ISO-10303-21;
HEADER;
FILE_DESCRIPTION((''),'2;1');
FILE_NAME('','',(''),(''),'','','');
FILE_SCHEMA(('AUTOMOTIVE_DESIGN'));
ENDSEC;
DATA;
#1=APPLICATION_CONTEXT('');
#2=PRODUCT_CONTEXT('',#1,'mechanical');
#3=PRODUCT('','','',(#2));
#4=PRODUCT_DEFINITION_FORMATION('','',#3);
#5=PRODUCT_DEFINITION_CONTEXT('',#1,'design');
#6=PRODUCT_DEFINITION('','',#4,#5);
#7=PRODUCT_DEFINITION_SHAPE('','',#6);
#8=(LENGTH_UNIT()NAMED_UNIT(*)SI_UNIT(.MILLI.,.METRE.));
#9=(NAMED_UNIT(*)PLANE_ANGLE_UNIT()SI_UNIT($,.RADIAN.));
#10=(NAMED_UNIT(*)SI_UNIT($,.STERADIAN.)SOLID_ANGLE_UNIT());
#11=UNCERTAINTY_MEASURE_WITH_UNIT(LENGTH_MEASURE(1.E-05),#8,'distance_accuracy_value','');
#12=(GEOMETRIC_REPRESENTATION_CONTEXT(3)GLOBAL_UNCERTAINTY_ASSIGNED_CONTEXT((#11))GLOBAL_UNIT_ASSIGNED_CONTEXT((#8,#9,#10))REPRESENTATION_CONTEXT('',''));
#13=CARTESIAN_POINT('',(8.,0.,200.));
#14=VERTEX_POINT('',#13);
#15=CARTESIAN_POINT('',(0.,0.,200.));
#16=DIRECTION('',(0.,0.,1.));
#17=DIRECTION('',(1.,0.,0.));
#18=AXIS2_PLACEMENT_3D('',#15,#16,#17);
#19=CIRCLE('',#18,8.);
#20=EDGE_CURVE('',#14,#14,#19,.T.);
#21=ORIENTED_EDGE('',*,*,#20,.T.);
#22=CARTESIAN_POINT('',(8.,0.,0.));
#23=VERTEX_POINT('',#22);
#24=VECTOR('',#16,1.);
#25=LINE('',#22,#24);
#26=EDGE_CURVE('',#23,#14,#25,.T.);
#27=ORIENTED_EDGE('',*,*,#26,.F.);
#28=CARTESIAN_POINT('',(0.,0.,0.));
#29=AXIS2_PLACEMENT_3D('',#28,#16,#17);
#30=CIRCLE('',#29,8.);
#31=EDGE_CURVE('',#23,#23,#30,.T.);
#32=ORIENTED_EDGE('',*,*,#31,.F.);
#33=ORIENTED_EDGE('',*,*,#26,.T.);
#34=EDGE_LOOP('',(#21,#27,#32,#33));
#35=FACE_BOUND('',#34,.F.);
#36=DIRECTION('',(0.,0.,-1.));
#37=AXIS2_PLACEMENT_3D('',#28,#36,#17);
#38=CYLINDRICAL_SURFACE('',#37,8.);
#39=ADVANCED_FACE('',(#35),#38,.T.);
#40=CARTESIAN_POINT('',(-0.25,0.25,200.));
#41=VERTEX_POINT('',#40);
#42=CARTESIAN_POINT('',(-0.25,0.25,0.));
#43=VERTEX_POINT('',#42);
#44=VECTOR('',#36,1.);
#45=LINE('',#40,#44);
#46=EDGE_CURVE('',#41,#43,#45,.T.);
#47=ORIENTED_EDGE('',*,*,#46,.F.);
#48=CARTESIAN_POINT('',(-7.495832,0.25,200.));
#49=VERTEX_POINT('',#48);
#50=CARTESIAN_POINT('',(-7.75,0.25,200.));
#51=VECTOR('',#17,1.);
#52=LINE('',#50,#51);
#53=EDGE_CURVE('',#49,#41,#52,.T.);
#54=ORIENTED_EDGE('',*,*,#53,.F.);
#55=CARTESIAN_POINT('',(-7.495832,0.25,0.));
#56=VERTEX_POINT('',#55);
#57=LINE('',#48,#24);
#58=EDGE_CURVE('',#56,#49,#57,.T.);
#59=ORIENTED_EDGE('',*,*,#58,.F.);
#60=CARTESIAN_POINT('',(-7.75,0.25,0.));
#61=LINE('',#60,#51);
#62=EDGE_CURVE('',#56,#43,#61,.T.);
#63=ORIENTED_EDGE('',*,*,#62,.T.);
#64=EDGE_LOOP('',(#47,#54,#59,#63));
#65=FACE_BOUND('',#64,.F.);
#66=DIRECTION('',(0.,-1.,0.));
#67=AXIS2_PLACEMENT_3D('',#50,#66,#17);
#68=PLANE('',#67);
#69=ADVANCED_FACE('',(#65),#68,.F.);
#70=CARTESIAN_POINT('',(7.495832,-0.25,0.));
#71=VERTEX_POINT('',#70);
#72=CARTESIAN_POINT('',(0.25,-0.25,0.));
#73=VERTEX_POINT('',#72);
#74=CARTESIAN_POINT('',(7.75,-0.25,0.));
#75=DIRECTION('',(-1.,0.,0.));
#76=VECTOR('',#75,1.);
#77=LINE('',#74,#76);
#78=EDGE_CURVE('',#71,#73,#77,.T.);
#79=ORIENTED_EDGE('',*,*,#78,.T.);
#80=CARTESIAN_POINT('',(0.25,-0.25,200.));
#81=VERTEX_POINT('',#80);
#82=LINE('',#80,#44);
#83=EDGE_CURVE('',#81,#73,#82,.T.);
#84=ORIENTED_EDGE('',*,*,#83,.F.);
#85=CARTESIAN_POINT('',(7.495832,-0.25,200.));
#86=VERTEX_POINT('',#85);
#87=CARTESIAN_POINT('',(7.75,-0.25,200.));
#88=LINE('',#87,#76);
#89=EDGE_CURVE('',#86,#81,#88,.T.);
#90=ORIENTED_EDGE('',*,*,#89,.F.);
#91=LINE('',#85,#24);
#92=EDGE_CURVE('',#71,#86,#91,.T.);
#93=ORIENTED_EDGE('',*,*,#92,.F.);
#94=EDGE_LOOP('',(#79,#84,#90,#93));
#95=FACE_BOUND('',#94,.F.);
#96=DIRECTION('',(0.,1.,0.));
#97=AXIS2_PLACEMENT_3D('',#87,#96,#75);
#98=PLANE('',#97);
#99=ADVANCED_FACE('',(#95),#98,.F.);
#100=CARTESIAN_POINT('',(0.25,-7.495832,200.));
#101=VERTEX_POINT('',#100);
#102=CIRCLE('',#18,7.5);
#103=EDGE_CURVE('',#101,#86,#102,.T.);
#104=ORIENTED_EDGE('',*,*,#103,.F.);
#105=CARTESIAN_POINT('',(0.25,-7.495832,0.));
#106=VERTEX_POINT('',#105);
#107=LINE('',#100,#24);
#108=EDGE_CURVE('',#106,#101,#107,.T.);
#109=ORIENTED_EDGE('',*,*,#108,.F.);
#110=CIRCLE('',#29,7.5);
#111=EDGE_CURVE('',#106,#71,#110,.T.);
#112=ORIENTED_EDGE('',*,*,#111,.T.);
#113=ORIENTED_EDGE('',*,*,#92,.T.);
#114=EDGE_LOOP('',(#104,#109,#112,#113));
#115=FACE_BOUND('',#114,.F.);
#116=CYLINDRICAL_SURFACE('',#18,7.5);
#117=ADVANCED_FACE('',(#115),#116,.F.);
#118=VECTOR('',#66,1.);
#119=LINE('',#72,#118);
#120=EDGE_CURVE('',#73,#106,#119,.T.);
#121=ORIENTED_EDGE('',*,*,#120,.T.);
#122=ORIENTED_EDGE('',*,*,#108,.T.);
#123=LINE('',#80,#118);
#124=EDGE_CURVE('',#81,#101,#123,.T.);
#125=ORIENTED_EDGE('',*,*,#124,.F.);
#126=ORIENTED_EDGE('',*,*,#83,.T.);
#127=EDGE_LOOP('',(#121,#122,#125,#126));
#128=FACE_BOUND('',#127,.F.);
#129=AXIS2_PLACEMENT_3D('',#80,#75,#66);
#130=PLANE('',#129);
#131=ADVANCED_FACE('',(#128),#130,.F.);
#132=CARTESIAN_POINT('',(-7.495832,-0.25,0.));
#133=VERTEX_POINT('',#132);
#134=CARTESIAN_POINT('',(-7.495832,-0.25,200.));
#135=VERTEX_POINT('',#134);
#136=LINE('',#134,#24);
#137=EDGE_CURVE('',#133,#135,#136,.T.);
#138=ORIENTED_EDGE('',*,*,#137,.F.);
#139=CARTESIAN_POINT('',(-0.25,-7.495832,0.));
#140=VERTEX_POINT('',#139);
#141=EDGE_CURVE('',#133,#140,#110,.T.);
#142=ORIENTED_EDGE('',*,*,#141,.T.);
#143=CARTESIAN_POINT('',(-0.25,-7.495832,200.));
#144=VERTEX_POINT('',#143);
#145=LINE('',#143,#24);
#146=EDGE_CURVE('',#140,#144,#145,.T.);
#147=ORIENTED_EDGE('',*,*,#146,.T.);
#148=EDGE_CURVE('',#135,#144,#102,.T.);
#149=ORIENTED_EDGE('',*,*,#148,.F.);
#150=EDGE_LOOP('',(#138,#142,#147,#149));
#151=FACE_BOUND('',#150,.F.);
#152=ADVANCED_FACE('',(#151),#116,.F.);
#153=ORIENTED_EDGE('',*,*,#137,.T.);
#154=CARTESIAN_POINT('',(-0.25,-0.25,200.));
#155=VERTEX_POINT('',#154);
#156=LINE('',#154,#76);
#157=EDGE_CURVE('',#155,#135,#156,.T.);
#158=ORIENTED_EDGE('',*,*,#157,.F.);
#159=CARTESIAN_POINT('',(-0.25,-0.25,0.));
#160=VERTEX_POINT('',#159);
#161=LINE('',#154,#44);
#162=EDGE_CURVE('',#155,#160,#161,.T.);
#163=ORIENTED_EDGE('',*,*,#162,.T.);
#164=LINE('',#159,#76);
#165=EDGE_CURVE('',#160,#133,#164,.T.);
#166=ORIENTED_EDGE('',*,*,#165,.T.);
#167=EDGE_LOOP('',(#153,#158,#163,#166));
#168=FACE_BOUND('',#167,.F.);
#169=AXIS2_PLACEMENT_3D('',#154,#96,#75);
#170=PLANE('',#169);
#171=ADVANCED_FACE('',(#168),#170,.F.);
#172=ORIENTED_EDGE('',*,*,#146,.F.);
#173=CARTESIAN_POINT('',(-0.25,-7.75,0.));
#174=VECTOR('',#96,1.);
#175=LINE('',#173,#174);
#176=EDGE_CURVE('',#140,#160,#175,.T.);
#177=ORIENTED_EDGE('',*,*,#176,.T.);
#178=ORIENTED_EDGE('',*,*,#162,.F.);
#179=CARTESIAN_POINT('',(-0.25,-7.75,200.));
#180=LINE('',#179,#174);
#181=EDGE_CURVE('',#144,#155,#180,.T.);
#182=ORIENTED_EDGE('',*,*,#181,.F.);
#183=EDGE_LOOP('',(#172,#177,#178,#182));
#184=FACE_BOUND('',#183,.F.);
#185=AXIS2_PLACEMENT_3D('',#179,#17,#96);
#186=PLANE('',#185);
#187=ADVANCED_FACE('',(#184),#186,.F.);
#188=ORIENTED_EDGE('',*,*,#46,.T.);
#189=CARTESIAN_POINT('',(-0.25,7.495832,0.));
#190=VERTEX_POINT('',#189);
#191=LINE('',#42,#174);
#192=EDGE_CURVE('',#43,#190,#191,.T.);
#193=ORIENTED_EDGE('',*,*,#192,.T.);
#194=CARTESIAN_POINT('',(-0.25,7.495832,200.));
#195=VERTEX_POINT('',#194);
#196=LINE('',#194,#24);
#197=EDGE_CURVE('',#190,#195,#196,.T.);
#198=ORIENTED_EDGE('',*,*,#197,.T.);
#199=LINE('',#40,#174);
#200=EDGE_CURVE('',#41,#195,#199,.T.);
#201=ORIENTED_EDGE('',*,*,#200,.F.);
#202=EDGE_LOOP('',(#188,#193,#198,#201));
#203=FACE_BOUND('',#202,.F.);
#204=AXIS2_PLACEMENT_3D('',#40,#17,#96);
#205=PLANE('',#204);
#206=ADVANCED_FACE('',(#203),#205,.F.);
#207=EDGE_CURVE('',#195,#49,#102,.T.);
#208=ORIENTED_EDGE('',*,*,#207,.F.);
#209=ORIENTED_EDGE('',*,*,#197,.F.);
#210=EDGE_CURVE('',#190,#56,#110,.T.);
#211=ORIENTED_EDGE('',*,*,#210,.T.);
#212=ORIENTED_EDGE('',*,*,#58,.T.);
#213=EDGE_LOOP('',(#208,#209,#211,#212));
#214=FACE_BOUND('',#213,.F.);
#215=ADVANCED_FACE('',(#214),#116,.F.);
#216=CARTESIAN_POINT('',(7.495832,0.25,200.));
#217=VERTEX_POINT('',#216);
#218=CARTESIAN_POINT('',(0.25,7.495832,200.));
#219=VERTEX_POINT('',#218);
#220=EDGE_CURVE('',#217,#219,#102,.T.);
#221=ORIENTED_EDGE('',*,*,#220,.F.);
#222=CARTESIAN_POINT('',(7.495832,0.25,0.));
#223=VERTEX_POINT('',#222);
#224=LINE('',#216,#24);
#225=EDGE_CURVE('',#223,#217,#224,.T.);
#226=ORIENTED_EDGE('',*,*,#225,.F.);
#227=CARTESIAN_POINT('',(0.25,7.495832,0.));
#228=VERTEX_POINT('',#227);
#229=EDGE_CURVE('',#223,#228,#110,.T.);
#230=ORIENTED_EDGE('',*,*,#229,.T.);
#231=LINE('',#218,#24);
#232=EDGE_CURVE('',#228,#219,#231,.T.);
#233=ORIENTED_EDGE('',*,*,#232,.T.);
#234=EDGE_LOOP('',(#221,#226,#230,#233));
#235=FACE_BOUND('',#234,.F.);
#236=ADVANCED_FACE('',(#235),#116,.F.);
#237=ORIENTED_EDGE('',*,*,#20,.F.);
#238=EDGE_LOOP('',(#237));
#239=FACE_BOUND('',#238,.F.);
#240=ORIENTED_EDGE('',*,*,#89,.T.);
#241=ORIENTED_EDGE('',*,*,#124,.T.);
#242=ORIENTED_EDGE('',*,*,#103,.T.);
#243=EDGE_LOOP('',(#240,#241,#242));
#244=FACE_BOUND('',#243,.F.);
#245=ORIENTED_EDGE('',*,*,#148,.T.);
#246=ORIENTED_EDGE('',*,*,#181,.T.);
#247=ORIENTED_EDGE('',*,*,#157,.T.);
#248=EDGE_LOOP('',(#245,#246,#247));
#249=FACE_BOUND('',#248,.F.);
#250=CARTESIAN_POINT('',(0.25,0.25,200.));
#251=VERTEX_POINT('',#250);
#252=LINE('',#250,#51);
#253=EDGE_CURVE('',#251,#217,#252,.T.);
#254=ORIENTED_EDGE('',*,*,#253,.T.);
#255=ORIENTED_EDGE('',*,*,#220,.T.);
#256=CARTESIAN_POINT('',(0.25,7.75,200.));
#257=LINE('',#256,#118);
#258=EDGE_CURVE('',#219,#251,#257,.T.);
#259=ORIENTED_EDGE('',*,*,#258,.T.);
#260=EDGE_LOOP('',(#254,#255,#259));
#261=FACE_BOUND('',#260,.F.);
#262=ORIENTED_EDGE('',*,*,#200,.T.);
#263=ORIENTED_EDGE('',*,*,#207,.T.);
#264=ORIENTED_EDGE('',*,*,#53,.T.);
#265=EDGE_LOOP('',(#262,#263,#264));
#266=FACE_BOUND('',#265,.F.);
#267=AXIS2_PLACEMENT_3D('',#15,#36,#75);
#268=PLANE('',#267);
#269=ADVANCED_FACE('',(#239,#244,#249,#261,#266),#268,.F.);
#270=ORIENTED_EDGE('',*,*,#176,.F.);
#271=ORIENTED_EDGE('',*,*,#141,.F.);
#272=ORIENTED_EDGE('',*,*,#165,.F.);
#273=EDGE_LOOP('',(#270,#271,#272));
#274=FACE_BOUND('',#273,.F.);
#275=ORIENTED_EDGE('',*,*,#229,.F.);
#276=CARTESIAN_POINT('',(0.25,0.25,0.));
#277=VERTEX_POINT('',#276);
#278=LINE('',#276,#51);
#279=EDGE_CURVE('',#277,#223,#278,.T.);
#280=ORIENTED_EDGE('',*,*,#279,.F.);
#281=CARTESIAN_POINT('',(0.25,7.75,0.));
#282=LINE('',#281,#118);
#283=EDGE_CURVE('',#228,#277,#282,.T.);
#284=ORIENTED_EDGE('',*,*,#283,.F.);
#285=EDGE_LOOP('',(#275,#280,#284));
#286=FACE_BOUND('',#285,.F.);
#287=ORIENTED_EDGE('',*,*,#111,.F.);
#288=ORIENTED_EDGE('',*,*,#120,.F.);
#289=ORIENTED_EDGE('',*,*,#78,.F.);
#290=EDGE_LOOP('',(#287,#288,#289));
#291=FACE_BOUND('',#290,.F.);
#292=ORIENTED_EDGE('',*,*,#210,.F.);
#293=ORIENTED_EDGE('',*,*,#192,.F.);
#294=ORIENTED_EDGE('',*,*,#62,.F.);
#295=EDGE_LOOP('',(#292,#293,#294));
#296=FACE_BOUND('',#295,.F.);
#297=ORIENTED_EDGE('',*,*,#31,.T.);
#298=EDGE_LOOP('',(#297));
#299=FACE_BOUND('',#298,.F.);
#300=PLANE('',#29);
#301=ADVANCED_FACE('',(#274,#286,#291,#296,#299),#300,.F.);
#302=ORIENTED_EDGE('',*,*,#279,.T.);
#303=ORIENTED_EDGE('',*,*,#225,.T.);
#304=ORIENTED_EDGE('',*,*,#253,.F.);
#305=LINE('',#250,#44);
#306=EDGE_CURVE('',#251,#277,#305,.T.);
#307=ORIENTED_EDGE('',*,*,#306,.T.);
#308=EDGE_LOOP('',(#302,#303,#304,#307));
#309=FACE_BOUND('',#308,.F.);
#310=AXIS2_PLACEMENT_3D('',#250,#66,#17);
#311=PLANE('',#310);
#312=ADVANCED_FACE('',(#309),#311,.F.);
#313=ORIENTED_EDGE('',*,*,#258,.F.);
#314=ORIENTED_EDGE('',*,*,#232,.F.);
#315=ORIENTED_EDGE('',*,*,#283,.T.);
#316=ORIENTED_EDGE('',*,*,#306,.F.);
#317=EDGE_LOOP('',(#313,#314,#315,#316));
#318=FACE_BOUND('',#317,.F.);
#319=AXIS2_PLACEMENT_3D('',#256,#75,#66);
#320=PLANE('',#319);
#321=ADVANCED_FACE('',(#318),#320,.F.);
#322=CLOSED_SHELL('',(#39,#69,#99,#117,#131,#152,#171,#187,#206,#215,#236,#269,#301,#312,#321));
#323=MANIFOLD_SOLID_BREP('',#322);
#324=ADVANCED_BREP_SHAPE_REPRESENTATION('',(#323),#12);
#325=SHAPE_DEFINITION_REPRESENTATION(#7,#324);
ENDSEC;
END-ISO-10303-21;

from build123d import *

# Parameters (mm, degrees)
SKETCH_R     = 8
PAD_DEPTH    = 200
SKETCH001_R  = 7.5
POCKET_DEPTH = 200
PAD001_DEPTH = 200


with BuildPart() as part:
    # Sketch → Pad (new body)
    with BuildSketch(Plane.XY):
        Circle(SKETCH_R)
    extrude(amount=PAD_DEPTH)

    # Sketch001 (on Face3 of Pad) → Pocket (cut)
    with BuildSketch(Plane.XY.offset(200)):
        Circle(SKETCH001_R)
    extrude(amount=-POCKET_DEPTH, mode=Mode.SUBTRACT)

    # Sketch002 (on Face3 of Pocket) → Pad001 (join)
    with BuildSketch(Plane.XY.offset(200)):
        Polygon((-0.25, 7.75), (0.25, 7.75), (0.25, 0.25), (7.75, 0.25), (7.75, -0.25), (0.25, -0.25), (0.25, -7.75), (-0.25, -7.75), (-0.25, -0.25), (-7.75, -0.25), (-7.75, 0.25), (-0.25, 0.25), align=None)
    extrude(amount=-PAD001_DEPTH)


solid = part.part
